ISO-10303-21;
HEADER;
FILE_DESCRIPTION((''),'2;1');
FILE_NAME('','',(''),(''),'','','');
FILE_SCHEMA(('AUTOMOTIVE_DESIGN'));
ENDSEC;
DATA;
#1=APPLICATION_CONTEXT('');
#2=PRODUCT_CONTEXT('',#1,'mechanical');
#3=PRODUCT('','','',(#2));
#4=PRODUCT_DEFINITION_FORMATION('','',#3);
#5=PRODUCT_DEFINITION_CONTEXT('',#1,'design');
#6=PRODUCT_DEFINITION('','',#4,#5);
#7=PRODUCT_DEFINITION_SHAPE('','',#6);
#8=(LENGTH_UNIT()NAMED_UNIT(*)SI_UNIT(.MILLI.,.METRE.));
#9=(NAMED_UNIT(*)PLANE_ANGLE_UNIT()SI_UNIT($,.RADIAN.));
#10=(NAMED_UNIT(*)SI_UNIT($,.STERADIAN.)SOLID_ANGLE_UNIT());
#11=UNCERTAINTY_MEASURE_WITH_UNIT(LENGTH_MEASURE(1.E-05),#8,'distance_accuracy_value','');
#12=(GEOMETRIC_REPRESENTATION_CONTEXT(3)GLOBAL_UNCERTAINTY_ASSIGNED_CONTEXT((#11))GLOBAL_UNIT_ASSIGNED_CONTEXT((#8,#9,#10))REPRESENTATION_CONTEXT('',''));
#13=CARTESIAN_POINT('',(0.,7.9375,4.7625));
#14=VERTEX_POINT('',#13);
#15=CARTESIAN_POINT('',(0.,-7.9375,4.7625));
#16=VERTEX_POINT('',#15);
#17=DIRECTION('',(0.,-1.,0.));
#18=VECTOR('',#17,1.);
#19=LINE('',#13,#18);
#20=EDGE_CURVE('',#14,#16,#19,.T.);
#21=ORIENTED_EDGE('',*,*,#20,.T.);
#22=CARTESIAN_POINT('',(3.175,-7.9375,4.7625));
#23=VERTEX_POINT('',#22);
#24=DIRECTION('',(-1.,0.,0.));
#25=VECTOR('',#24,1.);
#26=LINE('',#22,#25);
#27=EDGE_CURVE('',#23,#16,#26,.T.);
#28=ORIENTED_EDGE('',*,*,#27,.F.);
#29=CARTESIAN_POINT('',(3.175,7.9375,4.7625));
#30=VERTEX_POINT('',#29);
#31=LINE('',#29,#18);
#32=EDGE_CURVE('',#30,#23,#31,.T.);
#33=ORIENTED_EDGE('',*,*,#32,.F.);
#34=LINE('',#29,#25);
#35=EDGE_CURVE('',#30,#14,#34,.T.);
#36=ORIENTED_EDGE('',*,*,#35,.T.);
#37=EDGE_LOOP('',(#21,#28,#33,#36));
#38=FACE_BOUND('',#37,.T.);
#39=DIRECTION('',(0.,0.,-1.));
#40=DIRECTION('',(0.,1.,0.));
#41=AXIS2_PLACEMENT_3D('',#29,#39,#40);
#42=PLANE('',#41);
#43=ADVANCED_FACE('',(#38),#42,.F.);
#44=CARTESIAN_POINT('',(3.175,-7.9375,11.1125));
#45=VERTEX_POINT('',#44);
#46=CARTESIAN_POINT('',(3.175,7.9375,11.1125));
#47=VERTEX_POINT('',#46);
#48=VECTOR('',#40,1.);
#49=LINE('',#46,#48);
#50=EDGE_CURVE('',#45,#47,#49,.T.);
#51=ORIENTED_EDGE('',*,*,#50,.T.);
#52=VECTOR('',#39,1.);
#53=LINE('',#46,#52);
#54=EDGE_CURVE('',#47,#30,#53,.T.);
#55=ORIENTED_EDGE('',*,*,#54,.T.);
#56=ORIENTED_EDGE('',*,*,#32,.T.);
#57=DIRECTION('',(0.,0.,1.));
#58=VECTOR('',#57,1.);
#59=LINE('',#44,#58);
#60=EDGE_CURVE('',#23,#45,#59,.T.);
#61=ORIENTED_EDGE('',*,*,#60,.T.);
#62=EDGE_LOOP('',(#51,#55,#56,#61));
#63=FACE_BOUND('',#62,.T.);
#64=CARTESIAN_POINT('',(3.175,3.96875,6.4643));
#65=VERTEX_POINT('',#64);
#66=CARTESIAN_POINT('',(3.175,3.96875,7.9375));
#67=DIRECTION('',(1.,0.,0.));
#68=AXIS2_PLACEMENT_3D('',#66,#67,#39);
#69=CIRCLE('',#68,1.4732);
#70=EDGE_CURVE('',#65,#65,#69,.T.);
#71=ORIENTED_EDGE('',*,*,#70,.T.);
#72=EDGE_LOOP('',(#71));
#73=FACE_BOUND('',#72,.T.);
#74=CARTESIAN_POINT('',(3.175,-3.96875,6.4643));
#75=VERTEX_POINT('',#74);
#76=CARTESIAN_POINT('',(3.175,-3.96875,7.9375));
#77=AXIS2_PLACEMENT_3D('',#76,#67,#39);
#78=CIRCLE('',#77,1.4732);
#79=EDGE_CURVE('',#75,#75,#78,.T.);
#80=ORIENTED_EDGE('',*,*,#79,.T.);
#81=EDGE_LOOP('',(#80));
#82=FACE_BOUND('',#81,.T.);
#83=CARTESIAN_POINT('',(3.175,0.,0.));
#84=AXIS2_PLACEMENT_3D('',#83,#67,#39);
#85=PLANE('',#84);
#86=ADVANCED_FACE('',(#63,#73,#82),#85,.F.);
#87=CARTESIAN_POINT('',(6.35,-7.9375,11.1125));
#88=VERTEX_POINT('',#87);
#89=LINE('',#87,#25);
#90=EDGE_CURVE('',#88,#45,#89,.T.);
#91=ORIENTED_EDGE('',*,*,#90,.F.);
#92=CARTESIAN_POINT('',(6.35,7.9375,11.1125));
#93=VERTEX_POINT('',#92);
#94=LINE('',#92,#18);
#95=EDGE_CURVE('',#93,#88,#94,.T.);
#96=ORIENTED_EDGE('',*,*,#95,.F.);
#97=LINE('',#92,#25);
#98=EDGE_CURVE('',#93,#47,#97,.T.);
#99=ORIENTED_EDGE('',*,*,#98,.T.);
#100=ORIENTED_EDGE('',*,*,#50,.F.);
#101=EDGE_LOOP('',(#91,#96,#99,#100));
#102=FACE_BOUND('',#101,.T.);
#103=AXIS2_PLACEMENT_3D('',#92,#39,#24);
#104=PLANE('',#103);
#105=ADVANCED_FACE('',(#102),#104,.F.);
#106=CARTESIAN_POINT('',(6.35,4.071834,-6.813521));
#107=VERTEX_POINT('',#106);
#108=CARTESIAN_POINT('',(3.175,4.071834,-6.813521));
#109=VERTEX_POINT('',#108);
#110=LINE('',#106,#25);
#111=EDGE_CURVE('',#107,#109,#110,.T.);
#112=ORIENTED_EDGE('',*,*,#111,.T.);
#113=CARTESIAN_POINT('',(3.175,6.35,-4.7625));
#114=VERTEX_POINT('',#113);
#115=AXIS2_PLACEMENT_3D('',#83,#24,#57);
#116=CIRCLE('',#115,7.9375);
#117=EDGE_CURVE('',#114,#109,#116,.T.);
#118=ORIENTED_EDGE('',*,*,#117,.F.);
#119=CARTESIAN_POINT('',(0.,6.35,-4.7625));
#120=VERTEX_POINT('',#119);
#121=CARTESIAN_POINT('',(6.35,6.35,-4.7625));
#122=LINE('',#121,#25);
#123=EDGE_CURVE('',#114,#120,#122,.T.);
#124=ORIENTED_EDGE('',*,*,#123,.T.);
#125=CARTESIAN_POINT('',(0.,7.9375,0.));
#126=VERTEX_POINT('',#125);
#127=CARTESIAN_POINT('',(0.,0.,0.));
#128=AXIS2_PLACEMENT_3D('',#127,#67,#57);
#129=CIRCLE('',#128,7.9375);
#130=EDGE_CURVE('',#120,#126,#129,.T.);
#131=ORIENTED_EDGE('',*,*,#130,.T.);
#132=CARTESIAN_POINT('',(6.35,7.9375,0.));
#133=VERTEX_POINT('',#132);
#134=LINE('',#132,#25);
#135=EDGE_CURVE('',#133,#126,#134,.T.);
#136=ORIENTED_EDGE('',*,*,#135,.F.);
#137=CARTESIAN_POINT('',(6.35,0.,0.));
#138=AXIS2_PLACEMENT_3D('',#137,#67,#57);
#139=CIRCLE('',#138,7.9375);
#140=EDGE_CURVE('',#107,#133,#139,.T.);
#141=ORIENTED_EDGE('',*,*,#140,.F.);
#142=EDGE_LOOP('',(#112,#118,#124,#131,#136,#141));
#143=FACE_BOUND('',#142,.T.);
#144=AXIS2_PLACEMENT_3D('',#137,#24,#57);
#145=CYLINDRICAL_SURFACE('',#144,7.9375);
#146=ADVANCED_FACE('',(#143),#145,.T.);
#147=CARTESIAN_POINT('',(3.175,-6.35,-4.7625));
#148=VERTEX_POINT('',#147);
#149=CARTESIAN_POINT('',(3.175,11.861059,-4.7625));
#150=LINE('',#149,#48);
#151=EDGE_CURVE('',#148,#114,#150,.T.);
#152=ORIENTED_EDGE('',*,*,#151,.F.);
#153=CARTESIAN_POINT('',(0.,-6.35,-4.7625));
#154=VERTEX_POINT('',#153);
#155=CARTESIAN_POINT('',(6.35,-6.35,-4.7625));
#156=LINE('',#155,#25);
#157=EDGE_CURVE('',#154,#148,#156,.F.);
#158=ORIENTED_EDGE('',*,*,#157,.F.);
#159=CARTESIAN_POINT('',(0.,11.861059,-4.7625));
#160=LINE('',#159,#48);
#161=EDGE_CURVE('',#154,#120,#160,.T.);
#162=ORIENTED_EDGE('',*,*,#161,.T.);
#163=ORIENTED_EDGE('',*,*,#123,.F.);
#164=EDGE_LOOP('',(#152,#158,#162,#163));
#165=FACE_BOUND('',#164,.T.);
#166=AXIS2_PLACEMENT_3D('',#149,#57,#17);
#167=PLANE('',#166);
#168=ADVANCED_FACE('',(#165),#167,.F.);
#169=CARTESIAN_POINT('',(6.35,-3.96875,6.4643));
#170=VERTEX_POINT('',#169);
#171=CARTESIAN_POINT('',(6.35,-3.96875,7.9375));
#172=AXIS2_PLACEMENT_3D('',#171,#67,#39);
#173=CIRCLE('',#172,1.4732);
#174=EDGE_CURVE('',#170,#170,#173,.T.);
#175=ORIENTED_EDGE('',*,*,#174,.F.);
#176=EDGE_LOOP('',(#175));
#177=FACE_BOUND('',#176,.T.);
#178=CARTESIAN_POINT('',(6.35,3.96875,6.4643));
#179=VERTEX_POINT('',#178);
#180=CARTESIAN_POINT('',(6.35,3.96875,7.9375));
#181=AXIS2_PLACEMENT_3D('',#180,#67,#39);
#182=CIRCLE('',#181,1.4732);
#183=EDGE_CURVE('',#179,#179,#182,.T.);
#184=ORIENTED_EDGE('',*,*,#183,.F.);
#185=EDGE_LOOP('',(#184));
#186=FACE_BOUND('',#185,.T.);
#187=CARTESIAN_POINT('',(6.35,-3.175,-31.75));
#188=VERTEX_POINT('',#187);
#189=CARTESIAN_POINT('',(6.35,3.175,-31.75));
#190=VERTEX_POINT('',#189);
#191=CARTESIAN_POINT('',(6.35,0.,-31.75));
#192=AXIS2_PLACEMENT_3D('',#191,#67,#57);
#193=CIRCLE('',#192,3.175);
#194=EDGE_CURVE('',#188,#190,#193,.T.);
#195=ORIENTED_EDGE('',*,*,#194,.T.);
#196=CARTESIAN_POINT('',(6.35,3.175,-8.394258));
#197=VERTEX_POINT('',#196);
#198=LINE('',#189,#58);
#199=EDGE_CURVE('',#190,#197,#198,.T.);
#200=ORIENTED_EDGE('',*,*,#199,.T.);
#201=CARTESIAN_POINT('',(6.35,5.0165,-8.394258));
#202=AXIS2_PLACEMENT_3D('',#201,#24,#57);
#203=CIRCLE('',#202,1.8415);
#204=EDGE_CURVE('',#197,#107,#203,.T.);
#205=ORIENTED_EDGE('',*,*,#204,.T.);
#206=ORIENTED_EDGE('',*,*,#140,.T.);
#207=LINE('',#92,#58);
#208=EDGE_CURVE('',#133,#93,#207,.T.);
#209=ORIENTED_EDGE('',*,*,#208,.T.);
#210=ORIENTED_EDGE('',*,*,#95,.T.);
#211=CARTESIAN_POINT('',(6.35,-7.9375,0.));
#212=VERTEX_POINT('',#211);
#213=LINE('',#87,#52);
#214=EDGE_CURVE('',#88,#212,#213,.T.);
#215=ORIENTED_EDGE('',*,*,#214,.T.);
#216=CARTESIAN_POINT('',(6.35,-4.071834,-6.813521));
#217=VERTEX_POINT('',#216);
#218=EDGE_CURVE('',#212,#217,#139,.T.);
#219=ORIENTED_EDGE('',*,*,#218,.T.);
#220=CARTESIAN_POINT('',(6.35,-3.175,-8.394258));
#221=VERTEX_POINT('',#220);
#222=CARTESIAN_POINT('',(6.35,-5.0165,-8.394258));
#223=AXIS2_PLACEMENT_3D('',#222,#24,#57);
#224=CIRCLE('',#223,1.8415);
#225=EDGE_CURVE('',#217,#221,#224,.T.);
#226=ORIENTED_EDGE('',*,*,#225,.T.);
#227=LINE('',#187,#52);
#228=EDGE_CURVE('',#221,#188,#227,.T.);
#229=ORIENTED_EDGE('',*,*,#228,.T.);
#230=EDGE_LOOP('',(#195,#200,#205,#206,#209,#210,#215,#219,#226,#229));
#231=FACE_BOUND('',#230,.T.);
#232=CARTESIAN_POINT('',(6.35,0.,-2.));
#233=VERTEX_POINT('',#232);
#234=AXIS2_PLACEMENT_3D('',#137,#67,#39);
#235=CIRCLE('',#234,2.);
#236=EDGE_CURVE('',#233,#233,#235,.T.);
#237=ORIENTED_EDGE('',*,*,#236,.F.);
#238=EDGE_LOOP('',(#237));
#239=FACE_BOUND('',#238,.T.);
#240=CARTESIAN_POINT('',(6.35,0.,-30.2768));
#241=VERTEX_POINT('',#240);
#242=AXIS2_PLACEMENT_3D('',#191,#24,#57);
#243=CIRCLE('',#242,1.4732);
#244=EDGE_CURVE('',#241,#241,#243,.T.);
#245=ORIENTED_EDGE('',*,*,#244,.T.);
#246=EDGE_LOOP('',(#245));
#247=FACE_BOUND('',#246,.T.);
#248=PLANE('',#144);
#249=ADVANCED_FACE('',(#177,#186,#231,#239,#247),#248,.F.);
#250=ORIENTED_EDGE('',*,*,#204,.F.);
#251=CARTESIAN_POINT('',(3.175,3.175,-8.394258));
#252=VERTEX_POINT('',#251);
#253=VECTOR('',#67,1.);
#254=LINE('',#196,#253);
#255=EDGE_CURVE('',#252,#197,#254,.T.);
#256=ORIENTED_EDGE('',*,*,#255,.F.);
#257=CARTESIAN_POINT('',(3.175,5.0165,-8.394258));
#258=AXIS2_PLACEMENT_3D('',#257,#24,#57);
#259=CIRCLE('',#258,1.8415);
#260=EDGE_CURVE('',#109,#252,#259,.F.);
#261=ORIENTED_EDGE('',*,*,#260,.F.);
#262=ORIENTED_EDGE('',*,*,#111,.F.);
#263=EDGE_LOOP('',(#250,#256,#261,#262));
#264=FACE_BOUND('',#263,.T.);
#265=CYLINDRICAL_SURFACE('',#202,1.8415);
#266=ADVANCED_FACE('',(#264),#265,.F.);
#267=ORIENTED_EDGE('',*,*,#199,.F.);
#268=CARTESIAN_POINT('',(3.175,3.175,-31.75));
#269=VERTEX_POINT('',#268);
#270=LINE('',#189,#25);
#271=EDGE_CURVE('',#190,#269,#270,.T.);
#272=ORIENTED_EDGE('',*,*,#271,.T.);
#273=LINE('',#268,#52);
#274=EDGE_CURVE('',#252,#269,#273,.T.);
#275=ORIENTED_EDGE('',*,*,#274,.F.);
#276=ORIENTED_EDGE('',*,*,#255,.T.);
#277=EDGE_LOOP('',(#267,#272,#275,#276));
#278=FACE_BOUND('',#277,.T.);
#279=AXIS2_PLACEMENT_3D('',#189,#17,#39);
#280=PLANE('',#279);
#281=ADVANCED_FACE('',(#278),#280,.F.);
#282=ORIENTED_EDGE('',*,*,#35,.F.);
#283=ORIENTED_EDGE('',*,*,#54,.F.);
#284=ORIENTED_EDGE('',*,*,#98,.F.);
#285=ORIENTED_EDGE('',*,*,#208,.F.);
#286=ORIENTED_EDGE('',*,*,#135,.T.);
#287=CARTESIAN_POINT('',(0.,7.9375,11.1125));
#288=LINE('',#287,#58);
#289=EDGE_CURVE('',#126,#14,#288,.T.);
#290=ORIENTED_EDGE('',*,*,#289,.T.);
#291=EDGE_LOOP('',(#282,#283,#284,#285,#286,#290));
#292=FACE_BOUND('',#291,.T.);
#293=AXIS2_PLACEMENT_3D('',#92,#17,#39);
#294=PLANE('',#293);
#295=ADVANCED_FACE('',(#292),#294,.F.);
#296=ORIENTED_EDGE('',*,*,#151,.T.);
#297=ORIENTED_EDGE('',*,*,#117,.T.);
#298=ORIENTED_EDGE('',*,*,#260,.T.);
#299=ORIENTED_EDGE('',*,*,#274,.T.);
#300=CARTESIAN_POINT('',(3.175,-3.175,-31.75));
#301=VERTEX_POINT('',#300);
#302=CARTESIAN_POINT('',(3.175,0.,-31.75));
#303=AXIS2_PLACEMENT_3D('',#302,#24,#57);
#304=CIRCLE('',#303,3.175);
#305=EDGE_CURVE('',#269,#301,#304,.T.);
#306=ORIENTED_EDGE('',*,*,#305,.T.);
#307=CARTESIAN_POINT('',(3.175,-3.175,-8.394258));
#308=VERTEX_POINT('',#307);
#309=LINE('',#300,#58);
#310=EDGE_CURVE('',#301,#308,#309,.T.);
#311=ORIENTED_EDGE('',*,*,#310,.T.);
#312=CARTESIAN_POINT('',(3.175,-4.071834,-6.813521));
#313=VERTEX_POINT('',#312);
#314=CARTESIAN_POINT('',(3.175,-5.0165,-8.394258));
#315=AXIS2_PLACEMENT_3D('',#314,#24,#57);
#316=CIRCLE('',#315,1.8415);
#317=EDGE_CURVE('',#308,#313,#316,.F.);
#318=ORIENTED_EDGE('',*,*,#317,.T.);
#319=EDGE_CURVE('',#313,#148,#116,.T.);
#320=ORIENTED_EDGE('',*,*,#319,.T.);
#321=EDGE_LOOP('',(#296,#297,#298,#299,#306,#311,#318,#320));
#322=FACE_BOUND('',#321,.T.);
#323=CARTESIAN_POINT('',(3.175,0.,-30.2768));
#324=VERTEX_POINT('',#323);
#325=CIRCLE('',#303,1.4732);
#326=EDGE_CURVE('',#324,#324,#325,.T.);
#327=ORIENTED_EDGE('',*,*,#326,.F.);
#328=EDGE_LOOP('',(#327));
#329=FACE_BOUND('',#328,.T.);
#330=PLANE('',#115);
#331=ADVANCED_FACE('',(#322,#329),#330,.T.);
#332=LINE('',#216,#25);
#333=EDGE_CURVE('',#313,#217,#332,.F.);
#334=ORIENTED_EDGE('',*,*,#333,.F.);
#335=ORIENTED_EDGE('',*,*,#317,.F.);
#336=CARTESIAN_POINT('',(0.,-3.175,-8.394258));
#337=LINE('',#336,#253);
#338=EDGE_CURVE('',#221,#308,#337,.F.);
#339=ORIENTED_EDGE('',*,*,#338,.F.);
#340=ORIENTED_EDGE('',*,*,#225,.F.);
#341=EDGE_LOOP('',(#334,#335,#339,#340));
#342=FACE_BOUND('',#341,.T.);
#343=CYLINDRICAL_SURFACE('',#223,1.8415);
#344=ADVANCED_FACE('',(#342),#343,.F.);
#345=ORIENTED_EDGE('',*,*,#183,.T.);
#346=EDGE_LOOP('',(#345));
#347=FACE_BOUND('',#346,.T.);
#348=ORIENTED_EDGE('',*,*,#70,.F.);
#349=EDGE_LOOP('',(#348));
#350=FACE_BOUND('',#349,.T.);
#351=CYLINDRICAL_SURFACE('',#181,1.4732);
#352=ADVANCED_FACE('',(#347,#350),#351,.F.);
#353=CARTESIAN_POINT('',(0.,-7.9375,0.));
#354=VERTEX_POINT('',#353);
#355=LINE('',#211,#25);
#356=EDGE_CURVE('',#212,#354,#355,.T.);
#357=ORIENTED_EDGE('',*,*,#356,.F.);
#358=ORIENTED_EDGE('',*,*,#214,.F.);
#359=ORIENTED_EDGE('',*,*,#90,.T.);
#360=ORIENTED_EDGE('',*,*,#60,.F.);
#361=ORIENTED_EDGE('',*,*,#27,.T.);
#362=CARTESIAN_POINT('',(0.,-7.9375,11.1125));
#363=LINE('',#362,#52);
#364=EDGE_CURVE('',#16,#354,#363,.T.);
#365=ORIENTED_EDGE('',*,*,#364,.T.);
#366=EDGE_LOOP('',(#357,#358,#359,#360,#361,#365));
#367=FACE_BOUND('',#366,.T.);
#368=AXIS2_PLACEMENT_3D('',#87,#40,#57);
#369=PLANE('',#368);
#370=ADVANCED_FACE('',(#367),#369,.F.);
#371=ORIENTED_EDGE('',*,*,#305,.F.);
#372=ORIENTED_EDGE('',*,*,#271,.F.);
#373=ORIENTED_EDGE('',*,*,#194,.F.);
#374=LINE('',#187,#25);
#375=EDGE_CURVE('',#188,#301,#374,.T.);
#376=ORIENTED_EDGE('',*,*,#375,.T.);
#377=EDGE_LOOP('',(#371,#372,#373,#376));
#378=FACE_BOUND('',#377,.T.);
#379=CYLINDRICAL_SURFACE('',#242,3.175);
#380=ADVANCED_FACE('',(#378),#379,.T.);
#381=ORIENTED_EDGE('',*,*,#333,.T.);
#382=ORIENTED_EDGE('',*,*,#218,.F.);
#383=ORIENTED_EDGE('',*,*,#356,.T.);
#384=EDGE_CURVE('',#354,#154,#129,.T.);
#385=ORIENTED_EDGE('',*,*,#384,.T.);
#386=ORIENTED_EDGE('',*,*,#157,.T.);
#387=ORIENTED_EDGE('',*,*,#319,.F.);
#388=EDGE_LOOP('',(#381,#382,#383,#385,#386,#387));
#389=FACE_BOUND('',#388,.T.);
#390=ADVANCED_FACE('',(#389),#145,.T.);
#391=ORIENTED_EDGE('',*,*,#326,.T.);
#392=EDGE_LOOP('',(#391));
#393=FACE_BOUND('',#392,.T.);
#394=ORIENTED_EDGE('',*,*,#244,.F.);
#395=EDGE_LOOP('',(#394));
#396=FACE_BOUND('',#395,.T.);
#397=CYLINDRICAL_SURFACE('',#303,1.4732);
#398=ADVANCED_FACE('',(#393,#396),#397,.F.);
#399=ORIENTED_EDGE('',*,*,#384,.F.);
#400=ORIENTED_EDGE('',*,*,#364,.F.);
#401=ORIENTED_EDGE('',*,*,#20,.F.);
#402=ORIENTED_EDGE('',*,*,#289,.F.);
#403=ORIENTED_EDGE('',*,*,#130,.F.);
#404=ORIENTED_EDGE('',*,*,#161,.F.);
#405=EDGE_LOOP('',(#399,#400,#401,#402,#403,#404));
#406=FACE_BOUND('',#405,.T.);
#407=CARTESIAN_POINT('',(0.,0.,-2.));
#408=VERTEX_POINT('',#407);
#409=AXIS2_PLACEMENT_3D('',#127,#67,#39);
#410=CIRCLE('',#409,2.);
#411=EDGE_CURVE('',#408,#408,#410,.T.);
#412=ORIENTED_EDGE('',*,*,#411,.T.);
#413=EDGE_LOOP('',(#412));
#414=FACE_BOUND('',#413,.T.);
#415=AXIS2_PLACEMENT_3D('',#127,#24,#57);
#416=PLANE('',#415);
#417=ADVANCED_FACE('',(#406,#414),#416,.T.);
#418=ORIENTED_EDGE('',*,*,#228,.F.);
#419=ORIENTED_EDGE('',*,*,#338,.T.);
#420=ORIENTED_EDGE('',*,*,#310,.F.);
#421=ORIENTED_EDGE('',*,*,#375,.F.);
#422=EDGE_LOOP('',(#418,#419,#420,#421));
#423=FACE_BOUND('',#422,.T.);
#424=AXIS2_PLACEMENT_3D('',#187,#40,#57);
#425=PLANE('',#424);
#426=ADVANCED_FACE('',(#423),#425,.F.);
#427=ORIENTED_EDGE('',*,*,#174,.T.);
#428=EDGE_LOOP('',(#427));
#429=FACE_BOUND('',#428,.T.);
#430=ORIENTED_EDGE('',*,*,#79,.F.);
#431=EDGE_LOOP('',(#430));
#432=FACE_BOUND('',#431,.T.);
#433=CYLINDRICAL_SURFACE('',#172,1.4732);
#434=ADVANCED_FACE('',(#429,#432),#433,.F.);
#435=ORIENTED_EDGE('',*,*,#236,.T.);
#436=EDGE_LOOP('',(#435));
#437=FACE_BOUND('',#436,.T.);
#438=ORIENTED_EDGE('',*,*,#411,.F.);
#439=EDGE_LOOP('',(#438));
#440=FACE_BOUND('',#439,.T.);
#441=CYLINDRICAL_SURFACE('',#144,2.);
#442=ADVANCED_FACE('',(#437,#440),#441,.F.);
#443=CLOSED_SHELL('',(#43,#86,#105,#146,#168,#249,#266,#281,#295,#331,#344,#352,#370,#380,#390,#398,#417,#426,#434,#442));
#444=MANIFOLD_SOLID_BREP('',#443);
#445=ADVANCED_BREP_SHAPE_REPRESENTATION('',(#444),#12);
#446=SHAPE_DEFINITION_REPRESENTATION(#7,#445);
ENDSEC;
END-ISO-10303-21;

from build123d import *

# Parameters (mm, degrees)
SKETCH1_R             = 2
BOSS_EXTRUDE1_DEPTH   = 6.35
FILLET1_R             = 1.8415
SKETCH2_W             = 6.35
SKETCH2_H             = 15.875
SKETCH2_W_2           = 42.387227331
SKETCH2_H_2           = 26.263521184
CUT_EXTRUDE1_DEPTH    = 3.175
F_4_CLEARANCE_HOLE1_D = 2.9464
F_4_CLEARANCE_HOLE2_D = 2.9464


with BuildPart() as part:
    # Sketch1 → Boss-Extrude1 (new body)
    with BuildSketch(Plane(origin=(0, 0, 0), x_dir=(0, 0, -1), z_dir=(1, 0, 0))):
        with BuildLine():
            Line((-11.1125, 7.9375), (0, 7.9375))
            ThreePointArc((0, 7.9375), (4.3475478, 6.640988961), (7.274838916, 3.175))
            Line((7.274838916, 3.175), (31.75, 3.175))
            ThreePointArc((31.75, 3.175), (34.925, 0), (31.75, -3.175))
            Line((31.75, -3.175), (7.274838916, -3.175))
            ThreePointArc((7.274838916, -3.175), (4.3475478, -6.640988961), (0, -7.9375))
            Line((0, -7.9375), (-11.1125, -7.9375))
            Line((-11.1125, -7.9375), (-11.1125, 7.9375))
        make_face()
        Circle(SKETCH1_R, mode=Mode.SUBTRACT)
    extrude(amount=BOSS_EXTRUDE1_DEPTH)

    # Fillet1
    fillet1_edges = [part.edges().sort_by_distance(p)[0] for p in [
        (3.175, 3.175, -7.274838916),
        (3.175, -3.175, -7.274838916),
    ]]
    fillet(fillet1_edges, radius=FILLET1_R)

    # Sketch2 → Cut-Extrude1 (cut)
    with BuildSketch(Plane.ZY):
        with Locations((7.9375, 0)):
            Rectangle(SKETCH2_W, SKETCH2_H)
        with Locations((-25.956113666, -1.270701279)):
            Rectangle(SKETCH2_W_2, SKETCH2_H_2)
    extrude(amount=-CUT_EXTRUDE1_DEPTH, mode=Mode.SUBTRACT)

    # #4 Clearance Hole1 (through all)
    with Locations(Plane(origin=(6.35, 0, 0), x_dir=(0, 0, -1), z_dir=(1, 0, 0))):
        with Locations((-7.9375, 3.96875), (-7.9375, -3.96875)):
            Hole(F_4_CLEARANCE_HOLE1_D / 2)

    # #4 Clearance Hole2 (through all)
    with Locations(Plane.ZY.offset(-3.175)):
        with Locations((-31.75, 0)):
            Hole(F_4_CLEARANCE_HOLE2_D / 2)


solid = part.part
